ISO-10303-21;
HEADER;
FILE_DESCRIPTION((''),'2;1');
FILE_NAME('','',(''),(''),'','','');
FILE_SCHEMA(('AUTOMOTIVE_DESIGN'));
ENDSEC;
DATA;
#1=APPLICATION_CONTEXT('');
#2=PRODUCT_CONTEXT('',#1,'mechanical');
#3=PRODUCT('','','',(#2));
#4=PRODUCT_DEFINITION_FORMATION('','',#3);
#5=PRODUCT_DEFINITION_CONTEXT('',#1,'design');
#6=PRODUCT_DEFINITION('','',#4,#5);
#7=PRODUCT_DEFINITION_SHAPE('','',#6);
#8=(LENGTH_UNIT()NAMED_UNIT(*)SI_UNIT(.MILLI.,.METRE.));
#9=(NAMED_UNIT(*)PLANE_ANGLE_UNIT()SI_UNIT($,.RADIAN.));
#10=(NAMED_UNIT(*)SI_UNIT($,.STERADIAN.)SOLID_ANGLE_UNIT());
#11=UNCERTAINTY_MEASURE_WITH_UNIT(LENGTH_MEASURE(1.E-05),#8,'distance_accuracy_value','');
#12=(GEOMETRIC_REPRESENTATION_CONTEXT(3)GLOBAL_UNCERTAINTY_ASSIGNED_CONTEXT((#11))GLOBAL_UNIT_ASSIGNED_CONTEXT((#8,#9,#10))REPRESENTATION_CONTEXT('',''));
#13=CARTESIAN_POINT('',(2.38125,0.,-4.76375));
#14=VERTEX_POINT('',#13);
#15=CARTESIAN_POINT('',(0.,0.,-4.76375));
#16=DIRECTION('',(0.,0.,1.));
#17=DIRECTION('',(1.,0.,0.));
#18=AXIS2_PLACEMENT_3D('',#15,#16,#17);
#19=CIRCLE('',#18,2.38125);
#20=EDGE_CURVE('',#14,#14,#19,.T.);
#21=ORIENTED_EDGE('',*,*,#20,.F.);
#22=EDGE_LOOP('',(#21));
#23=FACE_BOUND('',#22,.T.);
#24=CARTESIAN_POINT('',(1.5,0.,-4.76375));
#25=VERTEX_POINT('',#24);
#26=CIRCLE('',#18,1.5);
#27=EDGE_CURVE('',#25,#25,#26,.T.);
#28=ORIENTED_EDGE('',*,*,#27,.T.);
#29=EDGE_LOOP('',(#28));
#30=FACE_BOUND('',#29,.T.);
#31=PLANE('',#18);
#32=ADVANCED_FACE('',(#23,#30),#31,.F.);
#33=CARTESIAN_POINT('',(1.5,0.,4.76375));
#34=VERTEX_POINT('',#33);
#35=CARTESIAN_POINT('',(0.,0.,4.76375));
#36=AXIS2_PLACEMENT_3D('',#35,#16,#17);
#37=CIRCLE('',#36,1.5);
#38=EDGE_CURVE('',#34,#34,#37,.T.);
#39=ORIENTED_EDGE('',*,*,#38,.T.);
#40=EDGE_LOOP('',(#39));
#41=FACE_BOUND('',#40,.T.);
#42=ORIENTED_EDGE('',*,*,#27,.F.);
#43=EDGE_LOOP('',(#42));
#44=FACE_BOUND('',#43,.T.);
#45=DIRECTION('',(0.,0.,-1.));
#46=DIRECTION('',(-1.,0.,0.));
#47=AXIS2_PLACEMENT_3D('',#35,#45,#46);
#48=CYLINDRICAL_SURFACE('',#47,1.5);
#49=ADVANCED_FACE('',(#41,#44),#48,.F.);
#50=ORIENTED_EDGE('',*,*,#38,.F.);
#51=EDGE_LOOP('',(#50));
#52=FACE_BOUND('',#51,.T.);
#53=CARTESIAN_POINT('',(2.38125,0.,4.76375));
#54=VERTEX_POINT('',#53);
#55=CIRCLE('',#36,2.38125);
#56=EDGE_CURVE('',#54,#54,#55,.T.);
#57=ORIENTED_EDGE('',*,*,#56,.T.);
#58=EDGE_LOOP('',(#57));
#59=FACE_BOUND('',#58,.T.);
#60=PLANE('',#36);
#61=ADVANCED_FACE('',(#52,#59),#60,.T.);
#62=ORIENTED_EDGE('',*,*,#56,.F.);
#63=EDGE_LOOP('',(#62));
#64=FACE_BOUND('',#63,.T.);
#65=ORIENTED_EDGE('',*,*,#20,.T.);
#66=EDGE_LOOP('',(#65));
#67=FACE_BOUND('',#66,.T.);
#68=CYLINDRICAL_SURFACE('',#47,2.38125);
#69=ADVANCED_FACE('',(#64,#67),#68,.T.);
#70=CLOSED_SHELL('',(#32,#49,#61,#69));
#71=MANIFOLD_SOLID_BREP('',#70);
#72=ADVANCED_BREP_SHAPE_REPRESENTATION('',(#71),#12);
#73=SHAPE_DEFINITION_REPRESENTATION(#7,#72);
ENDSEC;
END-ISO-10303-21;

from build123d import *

# Parameters (mm, degrees)
SKETCH1_R           = 2.38125
SKETCH1_R_2         = 1.5
BOSS_EXTRUDE1_DEPTH = 4.763750061


with BuildPart() as part:
    # Sketch1 → Boss-Extrude1 (new body, symmetric)
    with BuildSketch(Plane.XY):
        Circle(SKETCH1_R)
        Circle(SKETCH1_R_2, mode=Mode.SUBTRACT)
    extrude(amount=BOSS_EXTRUDE1_DEPTH, both=True)


solid = part.part
